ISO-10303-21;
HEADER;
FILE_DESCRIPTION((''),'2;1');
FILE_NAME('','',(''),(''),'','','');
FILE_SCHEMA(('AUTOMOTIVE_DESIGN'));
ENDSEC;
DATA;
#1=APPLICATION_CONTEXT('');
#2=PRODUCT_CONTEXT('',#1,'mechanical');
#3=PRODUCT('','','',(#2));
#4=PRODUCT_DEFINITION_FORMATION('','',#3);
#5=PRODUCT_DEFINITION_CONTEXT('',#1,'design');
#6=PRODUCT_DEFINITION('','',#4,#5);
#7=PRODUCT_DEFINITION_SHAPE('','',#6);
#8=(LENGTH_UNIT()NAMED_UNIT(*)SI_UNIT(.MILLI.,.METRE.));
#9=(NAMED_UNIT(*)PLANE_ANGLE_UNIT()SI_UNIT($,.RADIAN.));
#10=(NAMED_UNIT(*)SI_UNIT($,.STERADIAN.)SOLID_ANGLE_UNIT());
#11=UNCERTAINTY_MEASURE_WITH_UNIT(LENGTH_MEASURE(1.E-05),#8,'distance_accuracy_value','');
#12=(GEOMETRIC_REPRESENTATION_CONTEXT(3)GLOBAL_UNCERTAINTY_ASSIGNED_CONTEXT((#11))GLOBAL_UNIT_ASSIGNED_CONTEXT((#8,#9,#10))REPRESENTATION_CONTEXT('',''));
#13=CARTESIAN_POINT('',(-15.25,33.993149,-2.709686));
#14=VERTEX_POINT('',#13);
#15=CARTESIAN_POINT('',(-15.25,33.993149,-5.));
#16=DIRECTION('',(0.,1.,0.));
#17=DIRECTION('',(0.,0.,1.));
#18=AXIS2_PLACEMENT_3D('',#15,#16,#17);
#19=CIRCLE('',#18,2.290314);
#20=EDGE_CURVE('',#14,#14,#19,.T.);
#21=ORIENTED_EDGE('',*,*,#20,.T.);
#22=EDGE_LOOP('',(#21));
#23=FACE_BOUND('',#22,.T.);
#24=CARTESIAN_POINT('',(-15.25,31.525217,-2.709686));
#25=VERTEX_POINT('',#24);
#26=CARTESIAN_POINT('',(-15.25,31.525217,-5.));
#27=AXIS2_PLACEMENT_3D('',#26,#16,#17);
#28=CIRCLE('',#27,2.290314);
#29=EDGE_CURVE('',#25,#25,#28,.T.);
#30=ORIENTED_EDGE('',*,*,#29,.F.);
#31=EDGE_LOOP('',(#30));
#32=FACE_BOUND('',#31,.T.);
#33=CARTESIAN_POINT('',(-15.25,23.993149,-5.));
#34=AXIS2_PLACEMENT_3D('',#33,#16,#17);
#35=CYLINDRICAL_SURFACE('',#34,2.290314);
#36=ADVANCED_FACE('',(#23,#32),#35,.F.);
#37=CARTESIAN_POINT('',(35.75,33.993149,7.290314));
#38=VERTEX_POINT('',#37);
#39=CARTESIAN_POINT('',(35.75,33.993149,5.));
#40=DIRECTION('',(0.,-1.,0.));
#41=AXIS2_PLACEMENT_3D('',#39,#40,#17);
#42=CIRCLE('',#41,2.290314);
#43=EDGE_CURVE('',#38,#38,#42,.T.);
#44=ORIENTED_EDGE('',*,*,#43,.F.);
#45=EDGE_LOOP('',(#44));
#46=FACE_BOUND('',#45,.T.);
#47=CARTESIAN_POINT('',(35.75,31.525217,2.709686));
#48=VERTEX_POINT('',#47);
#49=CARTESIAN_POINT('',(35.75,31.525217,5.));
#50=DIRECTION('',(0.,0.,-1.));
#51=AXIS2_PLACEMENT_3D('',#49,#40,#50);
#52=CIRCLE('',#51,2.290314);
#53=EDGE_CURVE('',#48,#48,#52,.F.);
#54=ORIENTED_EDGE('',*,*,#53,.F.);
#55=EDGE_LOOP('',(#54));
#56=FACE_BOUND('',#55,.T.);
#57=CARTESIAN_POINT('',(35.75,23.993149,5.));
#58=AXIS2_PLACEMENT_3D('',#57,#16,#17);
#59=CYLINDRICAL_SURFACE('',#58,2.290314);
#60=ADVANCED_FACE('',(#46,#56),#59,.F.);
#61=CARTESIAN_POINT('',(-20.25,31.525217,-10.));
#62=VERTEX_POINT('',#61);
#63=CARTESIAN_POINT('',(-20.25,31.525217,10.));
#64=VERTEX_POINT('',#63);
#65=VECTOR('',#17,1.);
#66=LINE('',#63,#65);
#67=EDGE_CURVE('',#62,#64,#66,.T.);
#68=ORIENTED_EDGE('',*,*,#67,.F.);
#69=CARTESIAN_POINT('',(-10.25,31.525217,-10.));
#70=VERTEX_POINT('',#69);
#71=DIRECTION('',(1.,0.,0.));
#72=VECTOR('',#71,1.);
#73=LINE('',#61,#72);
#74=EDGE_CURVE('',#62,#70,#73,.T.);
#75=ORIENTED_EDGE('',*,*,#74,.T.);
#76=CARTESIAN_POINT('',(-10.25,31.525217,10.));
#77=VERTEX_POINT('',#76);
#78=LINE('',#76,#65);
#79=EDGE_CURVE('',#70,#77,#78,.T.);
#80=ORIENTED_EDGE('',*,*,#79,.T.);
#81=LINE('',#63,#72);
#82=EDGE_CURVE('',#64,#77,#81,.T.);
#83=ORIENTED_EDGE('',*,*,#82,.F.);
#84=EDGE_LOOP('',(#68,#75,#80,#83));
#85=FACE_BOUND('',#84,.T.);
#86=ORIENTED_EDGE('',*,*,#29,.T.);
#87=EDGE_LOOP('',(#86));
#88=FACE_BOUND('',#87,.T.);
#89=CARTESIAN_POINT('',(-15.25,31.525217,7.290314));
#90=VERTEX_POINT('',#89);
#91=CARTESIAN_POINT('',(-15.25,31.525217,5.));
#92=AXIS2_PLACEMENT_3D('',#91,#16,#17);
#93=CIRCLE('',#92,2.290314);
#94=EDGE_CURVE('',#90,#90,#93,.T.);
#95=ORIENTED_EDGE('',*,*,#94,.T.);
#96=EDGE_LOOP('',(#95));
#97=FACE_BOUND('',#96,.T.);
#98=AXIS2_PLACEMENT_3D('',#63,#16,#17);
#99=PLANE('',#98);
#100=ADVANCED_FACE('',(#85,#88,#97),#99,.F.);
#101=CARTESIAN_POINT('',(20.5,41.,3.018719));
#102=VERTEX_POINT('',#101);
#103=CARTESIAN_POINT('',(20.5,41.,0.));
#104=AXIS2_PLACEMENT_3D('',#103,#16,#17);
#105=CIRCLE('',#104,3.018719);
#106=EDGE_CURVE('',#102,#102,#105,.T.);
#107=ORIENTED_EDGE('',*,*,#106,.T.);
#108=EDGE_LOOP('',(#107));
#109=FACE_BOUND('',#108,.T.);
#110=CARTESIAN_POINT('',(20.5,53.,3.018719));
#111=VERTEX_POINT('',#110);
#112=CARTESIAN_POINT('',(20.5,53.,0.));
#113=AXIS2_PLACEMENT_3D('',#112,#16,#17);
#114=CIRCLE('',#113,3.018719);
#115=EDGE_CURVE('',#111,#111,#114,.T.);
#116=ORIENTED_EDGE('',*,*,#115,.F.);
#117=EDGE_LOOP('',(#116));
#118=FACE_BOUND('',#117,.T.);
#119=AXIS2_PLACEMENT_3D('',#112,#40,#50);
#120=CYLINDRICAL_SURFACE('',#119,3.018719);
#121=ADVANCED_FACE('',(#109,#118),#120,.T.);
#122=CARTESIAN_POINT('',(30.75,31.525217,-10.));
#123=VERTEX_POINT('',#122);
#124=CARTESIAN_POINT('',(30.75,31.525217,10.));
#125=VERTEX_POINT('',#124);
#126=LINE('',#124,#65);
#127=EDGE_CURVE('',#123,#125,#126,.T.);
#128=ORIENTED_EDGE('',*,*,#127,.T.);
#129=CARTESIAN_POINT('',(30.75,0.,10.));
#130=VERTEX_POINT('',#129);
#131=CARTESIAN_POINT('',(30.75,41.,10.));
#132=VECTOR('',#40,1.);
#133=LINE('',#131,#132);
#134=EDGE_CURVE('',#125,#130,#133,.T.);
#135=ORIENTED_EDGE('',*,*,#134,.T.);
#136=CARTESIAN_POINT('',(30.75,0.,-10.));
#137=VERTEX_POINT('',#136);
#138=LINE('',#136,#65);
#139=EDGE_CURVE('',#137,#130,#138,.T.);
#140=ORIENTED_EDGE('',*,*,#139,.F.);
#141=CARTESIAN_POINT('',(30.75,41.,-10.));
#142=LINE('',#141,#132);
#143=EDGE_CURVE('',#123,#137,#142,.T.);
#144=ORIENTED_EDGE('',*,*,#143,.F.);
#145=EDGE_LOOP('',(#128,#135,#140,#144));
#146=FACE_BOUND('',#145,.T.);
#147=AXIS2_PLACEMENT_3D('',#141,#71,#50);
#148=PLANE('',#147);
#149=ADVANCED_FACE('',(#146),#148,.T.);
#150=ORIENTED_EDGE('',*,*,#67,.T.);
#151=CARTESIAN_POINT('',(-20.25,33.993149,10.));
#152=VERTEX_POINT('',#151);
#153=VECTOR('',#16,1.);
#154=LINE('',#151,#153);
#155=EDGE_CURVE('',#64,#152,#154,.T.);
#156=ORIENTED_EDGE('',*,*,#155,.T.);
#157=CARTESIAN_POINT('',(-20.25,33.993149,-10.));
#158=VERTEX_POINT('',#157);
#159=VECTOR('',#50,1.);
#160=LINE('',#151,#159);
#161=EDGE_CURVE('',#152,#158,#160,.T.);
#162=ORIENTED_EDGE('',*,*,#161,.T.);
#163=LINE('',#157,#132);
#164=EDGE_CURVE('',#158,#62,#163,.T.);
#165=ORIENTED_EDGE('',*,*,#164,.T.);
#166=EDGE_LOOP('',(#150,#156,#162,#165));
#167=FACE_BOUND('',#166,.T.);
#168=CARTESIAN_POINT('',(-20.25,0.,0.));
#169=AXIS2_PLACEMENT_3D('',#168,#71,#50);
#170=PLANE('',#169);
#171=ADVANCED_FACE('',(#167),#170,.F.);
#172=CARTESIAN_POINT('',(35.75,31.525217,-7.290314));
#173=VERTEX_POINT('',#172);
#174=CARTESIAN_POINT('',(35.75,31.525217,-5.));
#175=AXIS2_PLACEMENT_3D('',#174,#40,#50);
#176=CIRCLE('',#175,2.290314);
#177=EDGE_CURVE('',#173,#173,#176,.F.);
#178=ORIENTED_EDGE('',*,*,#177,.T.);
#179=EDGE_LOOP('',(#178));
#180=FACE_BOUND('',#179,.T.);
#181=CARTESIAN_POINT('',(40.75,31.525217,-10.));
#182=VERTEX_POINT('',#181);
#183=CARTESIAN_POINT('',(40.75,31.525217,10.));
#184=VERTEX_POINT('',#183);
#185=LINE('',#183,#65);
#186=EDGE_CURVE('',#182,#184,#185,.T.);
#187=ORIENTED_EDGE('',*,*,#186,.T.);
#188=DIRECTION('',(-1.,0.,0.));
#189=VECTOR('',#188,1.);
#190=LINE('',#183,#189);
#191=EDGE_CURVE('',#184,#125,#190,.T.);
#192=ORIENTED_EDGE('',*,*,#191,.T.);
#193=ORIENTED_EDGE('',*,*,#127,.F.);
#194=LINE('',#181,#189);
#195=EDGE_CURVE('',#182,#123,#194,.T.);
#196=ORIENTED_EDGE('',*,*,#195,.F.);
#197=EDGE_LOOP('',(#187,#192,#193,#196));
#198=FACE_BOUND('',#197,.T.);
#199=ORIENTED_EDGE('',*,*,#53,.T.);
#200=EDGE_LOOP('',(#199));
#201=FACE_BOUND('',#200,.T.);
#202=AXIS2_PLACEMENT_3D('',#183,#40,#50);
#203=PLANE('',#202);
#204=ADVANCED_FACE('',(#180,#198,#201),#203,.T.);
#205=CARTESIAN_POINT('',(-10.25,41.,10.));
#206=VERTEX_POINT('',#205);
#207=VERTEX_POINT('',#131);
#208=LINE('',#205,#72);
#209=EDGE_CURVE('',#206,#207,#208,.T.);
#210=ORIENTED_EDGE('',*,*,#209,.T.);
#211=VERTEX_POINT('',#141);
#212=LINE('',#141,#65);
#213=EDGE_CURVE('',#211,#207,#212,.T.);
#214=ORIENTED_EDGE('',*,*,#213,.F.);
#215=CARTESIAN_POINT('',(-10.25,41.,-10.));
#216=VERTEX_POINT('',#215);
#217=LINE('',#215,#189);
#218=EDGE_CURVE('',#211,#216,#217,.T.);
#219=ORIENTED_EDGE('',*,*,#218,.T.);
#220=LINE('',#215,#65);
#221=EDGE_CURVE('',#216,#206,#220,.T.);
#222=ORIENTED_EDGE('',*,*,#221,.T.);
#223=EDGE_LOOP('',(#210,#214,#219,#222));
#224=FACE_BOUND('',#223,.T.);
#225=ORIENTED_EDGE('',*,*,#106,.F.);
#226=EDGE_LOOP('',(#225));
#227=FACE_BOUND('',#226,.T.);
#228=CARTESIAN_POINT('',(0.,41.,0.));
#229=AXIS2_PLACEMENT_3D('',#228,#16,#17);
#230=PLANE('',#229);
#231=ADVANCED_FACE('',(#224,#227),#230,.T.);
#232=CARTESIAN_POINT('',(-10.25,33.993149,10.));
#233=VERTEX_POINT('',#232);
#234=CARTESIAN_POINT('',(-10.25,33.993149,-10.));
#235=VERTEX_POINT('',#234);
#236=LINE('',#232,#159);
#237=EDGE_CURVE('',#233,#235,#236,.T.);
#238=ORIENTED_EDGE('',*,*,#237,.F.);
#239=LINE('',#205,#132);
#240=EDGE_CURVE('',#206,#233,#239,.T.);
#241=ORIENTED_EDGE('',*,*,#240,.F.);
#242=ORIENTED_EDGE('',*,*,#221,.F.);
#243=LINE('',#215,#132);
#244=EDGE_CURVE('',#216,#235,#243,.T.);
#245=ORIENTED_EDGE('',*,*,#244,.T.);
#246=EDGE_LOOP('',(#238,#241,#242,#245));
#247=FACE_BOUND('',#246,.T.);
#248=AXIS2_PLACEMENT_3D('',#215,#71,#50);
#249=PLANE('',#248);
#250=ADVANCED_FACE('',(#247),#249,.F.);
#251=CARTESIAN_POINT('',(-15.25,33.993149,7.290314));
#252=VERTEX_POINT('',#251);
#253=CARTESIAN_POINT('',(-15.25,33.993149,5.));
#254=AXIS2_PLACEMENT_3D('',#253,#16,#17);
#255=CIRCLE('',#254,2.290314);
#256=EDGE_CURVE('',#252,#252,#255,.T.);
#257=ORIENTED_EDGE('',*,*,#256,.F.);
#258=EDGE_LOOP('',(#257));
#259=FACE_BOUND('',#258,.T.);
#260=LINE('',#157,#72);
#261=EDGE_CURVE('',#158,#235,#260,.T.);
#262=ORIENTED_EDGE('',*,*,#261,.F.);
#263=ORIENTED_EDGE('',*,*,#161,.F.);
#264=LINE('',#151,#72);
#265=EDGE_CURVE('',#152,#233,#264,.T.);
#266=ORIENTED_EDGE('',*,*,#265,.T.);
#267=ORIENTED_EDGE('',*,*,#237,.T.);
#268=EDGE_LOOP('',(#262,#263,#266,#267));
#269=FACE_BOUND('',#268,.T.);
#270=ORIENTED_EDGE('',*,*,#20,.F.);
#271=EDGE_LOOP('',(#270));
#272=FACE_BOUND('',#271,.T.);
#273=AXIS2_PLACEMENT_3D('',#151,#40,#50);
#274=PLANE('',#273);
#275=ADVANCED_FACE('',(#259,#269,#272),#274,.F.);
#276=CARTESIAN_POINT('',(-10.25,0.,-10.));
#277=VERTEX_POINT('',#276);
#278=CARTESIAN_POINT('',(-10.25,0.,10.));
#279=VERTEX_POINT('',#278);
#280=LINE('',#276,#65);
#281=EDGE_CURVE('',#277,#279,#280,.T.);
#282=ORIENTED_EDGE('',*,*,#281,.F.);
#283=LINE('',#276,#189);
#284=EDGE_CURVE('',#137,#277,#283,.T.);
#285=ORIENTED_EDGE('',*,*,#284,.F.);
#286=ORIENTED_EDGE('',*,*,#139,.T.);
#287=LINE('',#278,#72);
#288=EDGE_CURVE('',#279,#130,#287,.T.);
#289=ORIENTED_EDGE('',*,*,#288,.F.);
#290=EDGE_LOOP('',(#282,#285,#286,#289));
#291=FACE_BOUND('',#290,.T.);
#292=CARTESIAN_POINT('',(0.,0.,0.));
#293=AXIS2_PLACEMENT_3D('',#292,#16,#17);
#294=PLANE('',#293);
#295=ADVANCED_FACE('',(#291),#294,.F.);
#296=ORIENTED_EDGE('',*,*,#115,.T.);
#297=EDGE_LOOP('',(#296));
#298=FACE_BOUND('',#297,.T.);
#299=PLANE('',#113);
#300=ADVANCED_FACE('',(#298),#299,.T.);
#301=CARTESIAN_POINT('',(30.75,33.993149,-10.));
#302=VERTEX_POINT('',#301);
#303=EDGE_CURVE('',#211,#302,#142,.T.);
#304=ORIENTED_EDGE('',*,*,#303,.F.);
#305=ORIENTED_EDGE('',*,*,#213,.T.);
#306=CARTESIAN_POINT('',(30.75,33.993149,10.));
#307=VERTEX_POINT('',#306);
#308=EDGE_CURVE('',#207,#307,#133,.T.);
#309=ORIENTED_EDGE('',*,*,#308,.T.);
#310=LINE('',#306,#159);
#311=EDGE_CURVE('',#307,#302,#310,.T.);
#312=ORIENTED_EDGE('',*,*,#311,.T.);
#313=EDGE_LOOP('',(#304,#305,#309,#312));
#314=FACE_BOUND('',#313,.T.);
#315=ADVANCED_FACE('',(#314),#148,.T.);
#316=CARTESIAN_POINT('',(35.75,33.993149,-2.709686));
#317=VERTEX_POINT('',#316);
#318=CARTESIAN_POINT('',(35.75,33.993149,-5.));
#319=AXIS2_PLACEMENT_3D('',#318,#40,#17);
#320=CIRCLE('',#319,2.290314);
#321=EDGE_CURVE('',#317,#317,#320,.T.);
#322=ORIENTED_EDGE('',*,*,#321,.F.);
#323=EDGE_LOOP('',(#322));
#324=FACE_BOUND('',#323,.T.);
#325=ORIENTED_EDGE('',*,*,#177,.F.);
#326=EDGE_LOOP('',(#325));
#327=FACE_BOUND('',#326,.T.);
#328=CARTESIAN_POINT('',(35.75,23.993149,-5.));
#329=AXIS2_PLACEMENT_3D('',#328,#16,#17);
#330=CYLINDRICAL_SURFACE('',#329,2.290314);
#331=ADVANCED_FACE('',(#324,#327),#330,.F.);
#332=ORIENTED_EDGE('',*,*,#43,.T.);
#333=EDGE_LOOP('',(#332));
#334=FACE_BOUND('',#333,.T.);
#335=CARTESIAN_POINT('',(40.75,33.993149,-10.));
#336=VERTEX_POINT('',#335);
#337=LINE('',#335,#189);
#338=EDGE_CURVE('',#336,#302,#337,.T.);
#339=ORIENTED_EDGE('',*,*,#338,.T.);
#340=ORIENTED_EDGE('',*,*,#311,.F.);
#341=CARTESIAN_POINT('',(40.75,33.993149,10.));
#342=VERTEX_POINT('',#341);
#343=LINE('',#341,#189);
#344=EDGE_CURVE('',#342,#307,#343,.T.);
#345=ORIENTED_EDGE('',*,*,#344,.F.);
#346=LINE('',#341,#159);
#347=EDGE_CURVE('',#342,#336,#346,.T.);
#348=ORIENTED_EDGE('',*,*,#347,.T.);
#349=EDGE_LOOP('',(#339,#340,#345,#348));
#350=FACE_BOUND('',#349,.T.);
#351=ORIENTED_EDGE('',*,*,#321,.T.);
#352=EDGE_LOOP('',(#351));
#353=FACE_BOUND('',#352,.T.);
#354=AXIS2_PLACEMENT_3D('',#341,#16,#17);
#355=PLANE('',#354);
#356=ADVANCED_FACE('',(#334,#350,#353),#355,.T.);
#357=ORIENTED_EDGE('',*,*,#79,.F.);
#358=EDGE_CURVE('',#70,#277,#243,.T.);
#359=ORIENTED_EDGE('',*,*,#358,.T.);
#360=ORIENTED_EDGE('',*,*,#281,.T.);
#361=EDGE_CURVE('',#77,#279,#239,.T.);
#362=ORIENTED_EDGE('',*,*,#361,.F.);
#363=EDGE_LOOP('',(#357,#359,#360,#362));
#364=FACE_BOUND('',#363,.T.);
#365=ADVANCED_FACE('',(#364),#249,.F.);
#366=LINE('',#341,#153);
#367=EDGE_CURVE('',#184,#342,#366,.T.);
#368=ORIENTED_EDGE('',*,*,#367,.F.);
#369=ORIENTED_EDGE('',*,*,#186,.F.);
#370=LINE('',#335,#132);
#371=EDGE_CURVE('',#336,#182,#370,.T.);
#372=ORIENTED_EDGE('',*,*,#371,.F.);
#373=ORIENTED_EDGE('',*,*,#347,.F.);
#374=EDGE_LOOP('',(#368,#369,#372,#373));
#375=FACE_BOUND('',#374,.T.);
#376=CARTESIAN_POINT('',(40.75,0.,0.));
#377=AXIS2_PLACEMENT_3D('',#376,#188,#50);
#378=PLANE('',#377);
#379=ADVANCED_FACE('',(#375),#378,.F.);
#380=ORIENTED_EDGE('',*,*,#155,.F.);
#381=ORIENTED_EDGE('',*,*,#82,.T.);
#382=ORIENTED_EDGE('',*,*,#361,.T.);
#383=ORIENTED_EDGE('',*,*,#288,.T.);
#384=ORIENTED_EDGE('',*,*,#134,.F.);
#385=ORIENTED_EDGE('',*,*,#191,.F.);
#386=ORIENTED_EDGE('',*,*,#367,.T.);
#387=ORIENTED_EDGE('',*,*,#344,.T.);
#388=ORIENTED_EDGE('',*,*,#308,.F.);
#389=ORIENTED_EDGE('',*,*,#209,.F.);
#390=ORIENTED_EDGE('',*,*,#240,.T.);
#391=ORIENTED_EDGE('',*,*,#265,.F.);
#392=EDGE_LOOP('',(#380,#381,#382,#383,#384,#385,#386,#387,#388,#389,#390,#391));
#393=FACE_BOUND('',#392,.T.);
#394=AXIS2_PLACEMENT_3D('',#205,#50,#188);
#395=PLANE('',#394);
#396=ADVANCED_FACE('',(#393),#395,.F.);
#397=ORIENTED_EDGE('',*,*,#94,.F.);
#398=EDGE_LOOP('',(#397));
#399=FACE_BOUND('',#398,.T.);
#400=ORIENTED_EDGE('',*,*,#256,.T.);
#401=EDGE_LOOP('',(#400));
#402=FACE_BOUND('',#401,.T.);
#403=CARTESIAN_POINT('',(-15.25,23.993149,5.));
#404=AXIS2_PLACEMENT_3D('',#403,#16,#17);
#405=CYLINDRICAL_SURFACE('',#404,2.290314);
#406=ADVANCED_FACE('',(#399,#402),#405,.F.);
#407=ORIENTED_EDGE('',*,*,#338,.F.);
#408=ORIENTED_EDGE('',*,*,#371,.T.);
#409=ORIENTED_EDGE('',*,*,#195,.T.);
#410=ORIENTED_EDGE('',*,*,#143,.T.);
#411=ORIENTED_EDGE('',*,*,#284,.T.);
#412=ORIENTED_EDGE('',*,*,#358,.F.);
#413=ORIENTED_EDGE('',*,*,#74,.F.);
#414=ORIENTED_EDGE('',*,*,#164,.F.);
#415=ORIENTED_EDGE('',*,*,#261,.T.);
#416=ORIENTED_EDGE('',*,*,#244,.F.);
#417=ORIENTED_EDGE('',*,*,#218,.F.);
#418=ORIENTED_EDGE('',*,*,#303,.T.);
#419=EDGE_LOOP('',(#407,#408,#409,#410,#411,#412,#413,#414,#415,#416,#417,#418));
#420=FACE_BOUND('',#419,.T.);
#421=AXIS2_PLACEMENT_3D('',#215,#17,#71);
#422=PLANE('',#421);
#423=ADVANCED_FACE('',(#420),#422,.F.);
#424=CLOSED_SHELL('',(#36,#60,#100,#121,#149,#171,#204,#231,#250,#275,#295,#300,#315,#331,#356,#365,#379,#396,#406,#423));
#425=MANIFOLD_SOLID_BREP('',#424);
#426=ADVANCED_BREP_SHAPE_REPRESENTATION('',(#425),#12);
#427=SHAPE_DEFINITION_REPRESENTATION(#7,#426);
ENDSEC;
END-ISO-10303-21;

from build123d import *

# Parameters (mm, degrees)
SKETCH1_W           = 20.5
SKETCH1_H           = 20
BOSS_EXTRUDE1_DEPTH = 41
SKETCH3_W           = 20
SKETCH3_H           = 2.467931734
BOSS_EXTRUDE2_DEPTH = 10
SKETCH4_R           = 2.290313936
CUT_EXTRUDE9_DEPTH  = 10
SKETCH5_R           = 3.018718549
BOSS_EXTRUDE3_DEPTH = 12


with BuildPart() as part:
    # Sketch1 → Boss-Extrude1 (new body)
    with BuildSketch(Plane(origin=(0, 0, 0), x_dir=(1, 0, 0), z_dir=(0, 1, 0))):
        Rectangle(SKETCH1_W, SKETCH1_H)
    boss_extrude1 = extrude(amount=BOSS_EXTRUDE1_DEPTH)

    # Sketch3 → Boss-Extrude2 (add)
    with BuildSketch(Plane.ZY.offset(10.25)):
        with Locations((0, 32.759182637)):
            Rectangle(SKETCH3_W, SKETCH3_H)
    boss_extrude2 = extrude(amount=BOSS_EXTRUDE2_DEPTH)

    # Sketch4 → Cut-Extrude9 (cut)
    with BuildSketch(Plane(origin=(0, 33.993148504, 0), x_dir=(1, 0, 0), z_dir=(0, 1, 0))):
        with Locations(Location((-15.25, 5, 0), (0, 0, 270))):
            Circle(SKETCH4_R)
        with Locations(Location((-15.25, -5, 0), (0, 0, 270))):
            Circle(SKETCH4_R)
    cut_extrude9 = extrude(amount=-CUT_EXTRUDE9_DEPTH, mode=Mode.SUBTRACT)

    # Mirror1: Boss-Extrude1, Boss-Extrude2, Cut-Extrude9 across plane
    add(boss_extrude1.mirror(Plane(origin=(10.25, 41, -10), x_dir=(0, 0, 1), z_dir=(-1, 0, 0))))
    add(boss_extrude2.mirror(Plane(origin=(10.25, 41, -10), x_dir=(0, 0, 1), z_dir=(-1, 0, 0))))
    add(cut_extrude9.mirror(Plane(origin=(10.25, 41, -10), x_dir=(0, 0, 1), z_dir=(-1, 0, 0))), mode=Mode.SUBTRACT)

    # Sketch5 → Boss-Extrude3 (add)
    with BuildSketch(Plane(origin=(0, 41, 0), x_dir=(1, 0, 0), z_dir=(0, 1, 0))):
        with Locations(Location((20.5, 0, 0), (0, 0, 270))):
            Circle(SKETCH5_R)
    extrude(amount=BOSS_EXTRUDE3_DEPTH)


solid = part.part
